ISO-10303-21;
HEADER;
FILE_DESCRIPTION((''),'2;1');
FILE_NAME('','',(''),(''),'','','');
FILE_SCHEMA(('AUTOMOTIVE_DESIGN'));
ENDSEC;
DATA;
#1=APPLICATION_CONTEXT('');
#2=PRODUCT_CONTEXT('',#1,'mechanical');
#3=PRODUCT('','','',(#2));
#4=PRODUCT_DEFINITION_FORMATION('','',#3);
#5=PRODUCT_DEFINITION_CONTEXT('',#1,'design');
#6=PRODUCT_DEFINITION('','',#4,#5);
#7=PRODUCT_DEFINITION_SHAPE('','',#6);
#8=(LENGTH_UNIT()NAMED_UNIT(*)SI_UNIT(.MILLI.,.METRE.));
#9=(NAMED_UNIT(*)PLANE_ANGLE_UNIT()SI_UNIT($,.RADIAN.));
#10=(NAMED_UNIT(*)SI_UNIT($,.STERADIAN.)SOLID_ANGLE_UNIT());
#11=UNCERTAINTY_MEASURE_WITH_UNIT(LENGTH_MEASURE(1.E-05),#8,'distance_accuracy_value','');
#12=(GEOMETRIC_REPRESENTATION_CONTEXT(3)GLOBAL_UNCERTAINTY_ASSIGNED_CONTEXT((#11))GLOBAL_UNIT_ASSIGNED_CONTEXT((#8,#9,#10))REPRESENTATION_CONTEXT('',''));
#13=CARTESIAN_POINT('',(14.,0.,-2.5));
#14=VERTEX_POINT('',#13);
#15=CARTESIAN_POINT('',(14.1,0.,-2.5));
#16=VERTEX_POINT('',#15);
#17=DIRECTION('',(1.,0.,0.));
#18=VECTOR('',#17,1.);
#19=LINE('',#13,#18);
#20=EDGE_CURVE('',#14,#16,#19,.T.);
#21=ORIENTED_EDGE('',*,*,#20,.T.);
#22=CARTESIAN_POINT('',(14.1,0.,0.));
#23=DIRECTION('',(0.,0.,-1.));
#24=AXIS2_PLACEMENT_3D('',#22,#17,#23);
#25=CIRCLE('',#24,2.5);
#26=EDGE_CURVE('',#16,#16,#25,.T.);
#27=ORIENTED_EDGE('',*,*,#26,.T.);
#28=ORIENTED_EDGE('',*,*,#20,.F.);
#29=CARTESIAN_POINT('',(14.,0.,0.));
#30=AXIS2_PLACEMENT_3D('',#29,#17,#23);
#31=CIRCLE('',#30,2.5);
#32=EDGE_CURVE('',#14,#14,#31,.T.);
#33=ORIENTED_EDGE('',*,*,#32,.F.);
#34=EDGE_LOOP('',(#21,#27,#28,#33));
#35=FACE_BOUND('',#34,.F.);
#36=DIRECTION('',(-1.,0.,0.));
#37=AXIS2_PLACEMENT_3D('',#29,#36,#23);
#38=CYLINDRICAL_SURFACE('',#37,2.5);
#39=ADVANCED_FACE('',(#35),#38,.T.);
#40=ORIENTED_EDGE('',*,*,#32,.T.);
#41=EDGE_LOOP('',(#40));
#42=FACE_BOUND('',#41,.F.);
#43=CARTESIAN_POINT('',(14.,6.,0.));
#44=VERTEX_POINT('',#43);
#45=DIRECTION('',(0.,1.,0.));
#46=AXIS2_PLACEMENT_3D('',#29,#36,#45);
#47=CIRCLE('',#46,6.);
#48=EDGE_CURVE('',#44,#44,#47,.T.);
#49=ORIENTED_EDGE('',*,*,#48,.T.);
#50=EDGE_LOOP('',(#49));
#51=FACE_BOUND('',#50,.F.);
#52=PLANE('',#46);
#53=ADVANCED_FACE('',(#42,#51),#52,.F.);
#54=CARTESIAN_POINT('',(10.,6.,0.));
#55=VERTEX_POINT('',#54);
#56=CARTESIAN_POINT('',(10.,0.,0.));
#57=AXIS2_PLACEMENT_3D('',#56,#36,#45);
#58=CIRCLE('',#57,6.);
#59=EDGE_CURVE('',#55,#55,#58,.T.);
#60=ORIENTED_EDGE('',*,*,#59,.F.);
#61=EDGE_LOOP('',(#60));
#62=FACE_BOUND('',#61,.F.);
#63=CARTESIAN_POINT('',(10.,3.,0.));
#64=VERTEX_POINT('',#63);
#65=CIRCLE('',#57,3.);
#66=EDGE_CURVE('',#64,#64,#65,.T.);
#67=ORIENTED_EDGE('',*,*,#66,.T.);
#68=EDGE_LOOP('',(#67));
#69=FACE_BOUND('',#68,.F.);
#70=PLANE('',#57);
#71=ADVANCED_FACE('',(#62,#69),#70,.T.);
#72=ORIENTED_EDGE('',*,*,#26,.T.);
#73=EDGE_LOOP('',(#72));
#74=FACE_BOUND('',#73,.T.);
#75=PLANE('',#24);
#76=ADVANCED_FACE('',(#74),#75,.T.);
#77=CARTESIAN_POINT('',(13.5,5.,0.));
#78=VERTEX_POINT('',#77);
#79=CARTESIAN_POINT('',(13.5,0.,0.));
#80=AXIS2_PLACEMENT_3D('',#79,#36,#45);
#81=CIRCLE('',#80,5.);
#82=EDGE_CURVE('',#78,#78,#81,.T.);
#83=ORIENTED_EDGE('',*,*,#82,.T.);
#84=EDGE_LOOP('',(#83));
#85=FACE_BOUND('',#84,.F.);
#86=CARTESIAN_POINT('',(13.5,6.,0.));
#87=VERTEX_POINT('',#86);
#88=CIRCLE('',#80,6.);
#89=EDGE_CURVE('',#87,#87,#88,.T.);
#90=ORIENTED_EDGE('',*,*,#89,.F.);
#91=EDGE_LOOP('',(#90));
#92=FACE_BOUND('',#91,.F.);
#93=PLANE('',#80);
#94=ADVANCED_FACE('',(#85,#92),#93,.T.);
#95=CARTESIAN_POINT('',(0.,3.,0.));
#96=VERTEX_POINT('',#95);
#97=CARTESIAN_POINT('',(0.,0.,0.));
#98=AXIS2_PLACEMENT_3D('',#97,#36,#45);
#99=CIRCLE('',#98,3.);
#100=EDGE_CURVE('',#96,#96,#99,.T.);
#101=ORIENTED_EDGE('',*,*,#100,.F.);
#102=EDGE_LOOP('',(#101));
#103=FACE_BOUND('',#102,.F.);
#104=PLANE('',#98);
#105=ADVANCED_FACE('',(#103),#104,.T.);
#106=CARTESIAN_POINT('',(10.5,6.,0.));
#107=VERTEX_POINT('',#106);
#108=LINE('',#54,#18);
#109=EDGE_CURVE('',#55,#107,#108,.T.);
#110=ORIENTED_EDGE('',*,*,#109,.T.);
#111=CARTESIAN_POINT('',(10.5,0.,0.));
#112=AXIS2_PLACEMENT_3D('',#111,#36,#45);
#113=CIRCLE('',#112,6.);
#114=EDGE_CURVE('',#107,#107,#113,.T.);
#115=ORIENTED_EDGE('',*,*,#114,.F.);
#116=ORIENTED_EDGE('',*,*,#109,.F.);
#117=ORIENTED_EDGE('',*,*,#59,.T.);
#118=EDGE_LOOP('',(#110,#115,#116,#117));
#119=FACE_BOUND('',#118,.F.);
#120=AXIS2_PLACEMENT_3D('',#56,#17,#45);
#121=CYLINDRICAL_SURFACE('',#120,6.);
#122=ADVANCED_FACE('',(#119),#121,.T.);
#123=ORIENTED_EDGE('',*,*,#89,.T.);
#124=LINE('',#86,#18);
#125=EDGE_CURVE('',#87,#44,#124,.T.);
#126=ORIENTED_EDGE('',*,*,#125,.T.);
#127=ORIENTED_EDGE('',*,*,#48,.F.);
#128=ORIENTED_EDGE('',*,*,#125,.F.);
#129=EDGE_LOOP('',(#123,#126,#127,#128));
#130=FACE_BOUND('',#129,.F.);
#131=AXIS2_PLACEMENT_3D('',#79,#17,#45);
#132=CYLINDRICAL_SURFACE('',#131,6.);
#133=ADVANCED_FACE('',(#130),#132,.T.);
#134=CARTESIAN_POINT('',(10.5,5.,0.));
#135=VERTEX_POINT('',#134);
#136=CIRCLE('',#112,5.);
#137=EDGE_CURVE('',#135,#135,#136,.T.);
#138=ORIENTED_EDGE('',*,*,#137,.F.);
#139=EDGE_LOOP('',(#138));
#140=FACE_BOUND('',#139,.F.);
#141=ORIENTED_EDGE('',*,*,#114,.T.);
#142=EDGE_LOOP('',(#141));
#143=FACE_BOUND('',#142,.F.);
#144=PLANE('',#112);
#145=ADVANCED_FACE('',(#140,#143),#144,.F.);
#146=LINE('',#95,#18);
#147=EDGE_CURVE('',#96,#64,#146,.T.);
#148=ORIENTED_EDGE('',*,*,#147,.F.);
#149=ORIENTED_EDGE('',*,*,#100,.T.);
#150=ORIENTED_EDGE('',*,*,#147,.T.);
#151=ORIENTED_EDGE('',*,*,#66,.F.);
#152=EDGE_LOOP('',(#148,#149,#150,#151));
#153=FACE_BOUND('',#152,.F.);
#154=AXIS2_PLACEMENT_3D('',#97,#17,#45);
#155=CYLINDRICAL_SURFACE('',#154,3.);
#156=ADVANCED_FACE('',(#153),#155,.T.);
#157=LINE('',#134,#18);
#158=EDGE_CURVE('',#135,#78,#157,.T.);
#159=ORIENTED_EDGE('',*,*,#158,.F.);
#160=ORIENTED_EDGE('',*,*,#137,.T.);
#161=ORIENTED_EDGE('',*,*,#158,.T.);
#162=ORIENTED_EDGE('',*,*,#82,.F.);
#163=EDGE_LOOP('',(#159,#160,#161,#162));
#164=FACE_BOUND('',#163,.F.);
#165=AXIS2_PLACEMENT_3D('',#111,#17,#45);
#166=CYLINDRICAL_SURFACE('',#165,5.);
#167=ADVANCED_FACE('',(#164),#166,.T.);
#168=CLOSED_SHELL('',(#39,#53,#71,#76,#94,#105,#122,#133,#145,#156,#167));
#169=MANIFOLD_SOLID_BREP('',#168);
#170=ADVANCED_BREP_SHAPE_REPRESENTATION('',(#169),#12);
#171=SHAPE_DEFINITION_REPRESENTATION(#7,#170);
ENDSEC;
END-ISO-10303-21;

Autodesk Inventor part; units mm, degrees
ref_plane "YZ Plane" through (0, 0, 0) normal (1, 0, 0) x (0, 1, 0)
ref_plane "XZ Plane" through (0, 0, 0) normal (0, 1, 0) x (-1, 0, 0)
ref_plane "XY Plane" through (0, 0, 0) normal (0, 0, 1) x (1, 0, 0)
sketch "Sketch1" plane through (0, 0, 0) normal (0, 0, 1) x (1, 0, 0)
  line L0 (0, 0) -> (0, 3)
  line L1 (0, 3) -> (10, 3)
  line L2 (10, 3) -> (10, 6)
  line L3 (10, 6) -> (10.5, 6)
  line L4 (10.5, 6) -> (10.5, 5)
  line L5 (10.5, 5) -> (13.5, 5)
  line L6 (13.5, 5) -> (13.5, 6)
  line L7 (13.5, 6) -> (14, 6)
  line L8 (14, 6) -> (14, 0)
  line L9 (14, 0) -> (0, 0)
  dimension "d0" = 3
  dimension "d1" = 10
  dimension "d2" = 0.5
  dimension "d3" = 5
  dimension "d4" = 0.5
  dimension "d5" = 1
  dimension "d6" = 3
revolve "Revolution1" add sketch "Sketch1" angle 360 about axis through (14, 0, 0) along (-1, 0, 0)
sketch "Sketch4" plane through (14, 0, 0) normal (1, 0, 0) x (0, 0, -1)
  circle A0 centre (0, 0) radius 6 projected
  circle A1 centre (0, 0) radius 2.5
  dimension "d22" = 5
extrude "Extrusion2" add sketch "Sketch4" along normal blind 0.1 contours A1
properties part number "Roller2"
